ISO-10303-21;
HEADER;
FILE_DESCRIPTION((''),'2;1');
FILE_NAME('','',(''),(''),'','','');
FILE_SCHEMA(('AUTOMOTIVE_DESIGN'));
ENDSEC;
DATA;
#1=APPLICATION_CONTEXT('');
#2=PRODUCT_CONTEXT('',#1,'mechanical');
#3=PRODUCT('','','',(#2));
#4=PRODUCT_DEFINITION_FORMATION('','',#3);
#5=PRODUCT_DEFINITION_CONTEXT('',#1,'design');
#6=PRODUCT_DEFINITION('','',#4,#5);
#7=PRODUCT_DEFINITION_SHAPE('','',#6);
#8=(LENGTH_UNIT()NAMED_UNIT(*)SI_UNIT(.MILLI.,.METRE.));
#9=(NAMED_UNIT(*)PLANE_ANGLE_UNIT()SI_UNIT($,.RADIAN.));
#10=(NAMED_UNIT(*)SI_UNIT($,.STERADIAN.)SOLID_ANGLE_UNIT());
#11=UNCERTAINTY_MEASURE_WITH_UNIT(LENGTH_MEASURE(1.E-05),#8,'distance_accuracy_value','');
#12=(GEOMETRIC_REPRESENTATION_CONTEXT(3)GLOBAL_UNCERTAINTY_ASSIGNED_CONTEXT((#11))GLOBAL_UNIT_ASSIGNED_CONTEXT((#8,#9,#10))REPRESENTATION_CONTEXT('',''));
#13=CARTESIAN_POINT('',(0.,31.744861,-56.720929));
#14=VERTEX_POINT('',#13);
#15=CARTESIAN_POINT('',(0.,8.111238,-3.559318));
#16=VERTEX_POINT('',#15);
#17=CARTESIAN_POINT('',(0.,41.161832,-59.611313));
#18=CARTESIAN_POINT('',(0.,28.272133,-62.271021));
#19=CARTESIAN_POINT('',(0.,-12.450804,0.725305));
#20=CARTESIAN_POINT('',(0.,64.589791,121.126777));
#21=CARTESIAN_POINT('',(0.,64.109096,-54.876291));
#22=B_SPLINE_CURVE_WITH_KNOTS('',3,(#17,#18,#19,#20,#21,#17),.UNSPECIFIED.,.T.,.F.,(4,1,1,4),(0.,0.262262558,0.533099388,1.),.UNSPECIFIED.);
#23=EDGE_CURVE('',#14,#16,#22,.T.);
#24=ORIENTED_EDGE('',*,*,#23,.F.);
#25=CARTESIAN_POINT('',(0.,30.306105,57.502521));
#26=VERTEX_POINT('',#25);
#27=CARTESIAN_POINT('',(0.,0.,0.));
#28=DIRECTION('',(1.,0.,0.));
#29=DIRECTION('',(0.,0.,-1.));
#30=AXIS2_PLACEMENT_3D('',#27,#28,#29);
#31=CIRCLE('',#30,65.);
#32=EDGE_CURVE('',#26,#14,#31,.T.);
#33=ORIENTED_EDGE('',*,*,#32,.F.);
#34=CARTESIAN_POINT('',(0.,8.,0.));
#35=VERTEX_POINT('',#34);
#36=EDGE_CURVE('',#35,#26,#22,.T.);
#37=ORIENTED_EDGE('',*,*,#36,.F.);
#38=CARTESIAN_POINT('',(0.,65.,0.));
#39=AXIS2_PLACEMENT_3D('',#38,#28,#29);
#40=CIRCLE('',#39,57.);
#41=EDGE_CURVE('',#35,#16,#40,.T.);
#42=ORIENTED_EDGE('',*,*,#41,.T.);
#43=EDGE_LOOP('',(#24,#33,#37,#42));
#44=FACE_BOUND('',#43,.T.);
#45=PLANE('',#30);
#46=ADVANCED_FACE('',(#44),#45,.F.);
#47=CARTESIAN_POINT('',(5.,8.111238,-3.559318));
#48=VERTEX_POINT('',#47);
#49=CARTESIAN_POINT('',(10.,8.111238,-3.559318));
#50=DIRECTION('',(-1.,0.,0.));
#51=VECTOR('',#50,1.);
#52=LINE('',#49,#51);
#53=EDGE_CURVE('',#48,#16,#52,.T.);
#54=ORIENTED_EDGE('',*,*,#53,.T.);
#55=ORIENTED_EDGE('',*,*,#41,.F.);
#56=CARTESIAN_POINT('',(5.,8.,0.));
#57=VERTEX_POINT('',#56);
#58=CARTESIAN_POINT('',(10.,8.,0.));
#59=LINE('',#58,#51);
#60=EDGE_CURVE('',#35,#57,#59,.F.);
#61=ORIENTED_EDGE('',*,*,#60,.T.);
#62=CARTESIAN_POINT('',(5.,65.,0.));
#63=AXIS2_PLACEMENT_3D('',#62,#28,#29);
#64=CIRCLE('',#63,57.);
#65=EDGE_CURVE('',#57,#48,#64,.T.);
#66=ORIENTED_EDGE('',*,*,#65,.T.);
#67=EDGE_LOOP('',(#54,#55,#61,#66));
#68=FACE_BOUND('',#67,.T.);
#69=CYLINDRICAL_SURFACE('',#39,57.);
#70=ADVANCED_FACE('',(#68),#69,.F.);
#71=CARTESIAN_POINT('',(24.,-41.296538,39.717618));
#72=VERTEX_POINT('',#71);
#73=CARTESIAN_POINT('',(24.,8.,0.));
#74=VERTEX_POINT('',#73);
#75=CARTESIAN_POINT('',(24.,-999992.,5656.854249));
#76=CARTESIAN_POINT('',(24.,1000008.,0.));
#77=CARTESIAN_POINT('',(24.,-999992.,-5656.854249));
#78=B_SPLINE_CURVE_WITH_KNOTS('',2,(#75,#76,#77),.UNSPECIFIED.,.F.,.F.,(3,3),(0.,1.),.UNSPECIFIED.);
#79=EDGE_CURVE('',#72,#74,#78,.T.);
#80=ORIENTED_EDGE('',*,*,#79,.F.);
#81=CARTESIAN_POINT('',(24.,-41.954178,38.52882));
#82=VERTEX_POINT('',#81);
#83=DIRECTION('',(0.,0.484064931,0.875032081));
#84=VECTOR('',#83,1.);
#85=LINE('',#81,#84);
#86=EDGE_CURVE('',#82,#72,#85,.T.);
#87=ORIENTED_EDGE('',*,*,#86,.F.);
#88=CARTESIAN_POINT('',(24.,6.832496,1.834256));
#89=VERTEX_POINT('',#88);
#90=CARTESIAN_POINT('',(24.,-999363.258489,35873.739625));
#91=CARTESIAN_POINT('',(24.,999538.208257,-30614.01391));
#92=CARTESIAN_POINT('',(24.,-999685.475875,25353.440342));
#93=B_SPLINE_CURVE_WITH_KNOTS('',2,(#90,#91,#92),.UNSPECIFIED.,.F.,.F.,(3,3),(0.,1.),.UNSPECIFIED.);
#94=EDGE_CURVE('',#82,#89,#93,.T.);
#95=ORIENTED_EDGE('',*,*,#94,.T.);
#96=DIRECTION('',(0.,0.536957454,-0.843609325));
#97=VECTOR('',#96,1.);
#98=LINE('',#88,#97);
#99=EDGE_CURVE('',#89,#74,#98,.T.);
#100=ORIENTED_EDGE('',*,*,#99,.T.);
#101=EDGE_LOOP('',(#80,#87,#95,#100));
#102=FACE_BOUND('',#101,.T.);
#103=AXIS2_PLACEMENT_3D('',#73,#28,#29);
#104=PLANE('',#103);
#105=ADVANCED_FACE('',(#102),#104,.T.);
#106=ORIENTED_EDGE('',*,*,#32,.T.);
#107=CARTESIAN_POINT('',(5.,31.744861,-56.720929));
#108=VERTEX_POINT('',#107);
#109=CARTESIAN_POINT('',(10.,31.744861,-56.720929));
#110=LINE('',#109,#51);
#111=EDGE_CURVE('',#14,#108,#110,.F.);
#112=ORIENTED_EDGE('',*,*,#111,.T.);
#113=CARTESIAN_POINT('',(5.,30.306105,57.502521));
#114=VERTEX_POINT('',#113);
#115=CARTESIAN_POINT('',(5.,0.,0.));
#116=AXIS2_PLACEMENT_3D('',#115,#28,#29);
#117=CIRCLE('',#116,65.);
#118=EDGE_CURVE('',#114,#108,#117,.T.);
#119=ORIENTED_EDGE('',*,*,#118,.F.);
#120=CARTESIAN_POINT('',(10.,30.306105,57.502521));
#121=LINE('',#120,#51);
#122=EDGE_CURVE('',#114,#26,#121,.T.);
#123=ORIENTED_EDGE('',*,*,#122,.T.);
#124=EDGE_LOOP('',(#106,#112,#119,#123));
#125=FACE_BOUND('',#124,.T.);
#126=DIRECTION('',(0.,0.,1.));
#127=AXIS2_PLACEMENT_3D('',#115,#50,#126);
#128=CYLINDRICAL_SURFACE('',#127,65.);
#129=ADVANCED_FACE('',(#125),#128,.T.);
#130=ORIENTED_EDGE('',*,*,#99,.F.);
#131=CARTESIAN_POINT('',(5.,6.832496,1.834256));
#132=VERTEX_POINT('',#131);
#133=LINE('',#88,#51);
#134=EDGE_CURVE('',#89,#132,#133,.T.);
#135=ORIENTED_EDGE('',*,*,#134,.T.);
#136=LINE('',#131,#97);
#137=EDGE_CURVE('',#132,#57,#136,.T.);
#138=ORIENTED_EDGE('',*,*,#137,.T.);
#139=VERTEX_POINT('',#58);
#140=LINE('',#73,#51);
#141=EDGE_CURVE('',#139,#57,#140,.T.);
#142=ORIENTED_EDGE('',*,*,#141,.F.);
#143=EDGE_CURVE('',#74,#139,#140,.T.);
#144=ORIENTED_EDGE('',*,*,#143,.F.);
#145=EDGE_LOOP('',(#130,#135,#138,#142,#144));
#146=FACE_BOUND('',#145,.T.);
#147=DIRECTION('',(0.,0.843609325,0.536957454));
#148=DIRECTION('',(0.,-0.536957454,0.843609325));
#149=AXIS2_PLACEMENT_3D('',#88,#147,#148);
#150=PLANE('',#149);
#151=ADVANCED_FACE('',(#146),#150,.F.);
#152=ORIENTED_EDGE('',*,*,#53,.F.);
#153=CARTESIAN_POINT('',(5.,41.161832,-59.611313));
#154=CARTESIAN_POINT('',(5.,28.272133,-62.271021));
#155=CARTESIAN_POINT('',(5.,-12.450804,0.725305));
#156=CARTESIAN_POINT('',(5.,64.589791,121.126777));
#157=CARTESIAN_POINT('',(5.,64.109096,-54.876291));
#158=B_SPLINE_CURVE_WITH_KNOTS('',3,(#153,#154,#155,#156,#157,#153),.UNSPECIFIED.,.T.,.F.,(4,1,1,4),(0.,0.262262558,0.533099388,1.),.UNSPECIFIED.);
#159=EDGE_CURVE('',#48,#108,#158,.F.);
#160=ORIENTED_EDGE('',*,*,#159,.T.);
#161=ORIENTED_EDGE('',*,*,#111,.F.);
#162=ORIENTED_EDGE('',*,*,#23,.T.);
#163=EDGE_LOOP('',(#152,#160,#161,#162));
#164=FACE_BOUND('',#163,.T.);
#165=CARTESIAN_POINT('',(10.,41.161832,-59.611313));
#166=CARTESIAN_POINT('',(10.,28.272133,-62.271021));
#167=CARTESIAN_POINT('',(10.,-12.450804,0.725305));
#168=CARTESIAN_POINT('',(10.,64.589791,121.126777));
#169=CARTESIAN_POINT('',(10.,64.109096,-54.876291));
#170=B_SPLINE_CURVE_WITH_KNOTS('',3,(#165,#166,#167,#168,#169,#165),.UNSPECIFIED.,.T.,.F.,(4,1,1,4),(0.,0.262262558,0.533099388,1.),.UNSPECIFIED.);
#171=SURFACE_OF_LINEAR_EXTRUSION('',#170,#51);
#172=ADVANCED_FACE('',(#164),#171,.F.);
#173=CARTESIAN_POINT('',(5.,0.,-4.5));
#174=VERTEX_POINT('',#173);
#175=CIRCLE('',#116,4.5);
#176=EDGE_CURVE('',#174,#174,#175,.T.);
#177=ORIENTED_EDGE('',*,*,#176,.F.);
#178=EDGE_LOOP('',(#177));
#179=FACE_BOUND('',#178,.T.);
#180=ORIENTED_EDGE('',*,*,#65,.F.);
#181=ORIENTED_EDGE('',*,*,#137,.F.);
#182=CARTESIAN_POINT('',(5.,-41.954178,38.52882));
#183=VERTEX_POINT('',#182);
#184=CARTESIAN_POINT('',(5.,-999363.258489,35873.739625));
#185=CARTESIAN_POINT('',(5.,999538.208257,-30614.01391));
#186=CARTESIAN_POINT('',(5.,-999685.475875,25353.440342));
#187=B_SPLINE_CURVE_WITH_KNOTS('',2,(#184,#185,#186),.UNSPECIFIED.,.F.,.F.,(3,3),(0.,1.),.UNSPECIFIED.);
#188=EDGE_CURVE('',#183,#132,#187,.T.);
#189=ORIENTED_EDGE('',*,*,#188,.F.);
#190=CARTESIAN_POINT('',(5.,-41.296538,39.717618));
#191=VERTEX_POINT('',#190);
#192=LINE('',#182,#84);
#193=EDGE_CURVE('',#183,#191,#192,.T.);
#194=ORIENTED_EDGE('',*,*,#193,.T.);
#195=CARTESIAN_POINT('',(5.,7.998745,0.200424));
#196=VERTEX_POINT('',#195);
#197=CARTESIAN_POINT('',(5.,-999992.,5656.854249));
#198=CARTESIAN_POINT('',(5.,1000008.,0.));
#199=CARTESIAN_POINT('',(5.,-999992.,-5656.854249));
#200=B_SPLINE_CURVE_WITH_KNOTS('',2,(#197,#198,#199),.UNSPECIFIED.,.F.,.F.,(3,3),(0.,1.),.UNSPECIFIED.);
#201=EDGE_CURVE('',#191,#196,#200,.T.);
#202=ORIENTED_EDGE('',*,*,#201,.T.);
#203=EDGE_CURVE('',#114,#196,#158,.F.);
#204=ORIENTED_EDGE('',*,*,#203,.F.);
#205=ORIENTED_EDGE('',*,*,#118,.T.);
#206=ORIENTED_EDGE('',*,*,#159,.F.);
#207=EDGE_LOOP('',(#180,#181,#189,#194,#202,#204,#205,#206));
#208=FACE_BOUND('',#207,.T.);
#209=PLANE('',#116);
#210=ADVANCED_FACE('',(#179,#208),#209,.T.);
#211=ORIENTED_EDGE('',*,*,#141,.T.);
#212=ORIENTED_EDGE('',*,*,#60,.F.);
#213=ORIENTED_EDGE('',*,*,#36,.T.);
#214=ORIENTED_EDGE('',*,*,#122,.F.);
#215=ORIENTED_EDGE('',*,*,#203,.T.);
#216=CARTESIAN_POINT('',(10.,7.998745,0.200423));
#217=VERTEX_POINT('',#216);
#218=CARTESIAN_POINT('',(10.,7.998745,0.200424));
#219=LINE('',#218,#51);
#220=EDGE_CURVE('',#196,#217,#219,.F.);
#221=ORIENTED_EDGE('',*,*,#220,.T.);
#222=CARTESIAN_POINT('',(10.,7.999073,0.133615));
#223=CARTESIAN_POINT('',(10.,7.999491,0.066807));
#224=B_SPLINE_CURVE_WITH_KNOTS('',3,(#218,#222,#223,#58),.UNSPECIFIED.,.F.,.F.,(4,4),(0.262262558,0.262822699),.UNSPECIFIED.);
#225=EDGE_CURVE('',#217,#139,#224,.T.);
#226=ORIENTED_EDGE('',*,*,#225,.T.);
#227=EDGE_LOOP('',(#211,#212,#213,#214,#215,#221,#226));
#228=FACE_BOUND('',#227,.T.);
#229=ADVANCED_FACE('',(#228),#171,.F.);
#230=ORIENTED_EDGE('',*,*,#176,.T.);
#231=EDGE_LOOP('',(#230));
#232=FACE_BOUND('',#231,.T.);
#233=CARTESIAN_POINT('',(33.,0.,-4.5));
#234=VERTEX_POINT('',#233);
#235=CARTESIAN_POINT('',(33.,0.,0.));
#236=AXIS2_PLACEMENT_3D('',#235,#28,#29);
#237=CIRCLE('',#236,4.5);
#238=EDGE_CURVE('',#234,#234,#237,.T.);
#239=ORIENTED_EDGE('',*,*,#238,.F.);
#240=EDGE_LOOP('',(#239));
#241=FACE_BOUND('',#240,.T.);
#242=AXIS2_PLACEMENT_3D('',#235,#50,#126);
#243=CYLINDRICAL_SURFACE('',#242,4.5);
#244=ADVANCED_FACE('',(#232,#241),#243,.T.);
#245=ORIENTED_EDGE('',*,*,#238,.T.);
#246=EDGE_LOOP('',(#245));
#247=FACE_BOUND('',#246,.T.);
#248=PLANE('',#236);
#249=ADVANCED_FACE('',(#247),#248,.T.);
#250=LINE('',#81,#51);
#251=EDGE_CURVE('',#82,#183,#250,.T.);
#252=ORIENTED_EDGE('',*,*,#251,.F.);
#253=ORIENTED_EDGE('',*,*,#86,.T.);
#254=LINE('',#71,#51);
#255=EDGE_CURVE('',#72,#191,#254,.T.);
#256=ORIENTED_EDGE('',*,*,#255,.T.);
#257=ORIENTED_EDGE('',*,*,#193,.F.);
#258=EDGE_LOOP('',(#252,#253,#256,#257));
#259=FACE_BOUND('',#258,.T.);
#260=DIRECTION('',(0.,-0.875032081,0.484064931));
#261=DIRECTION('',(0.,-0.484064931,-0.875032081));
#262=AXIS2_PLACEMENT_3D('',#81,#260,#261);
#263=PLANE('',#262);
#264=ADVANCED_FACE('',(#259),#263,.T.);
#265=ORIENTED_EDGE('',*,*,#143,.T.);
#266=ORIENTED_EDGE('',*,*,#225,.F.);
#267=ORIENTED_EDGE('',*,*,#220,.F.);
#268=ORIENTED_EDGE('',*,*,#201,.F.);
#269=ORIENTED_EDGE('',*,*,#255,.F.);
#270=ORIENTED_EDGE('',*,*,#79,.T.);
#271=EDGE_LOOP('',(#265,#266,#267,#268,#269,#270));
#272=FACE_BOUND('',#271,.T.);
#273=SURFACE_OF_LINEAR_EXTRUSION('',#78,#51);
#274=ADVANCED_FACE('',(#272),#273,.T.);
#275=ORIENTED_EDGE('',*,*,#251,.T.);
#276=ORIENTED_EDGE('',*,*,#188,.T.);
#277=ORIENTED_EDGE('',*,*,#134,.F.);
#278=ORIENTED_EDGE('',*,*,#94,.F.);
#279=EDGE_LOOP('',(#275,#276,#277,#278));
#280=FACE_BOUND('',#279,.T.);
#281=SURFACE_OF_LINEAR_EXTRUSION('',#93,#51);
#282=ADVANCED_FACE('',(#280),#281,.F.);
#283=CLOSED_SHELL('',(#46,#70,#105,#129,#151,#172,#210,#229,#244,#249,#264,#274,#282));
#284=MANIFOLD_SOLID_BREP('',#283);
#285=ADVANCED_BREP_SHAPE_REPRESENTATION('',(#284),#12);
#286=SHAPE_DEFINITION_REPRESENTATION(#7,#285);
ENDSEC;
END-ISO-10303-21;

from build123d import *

# Parameters (mm, degrees)
SKETCH1_R           = 65
BOSS_EXTRUDE1_DEPTH = 5
SKETCH2_R           = 57
CUT_EXTRUDE1_DEPTH  = 5
SKETCH3_R           = 4.5
BOSS_EXTRUDE2_DEPTH = 28
BOSS_EXTRUDE3_DEPTH = 19
CUT_EXTRUDE2_DEPTH  = 10


with BuildPart() as part:
    # Sketch1 → Boss-Extrude1 (new body)
    with BuildSketch(Plane(origin=(0, 0, 0), x_dir=(0, 0, -1), z_dir=(1, 0, 0))):
        Circle(SKETCH1_R)
    extrude(amount=BOSS_EXTRUDE1_DEPTH)

    # Sketch2 → Cut-Extrude1 (cut)
    with BuildSketch(Plane(origin=(5, 0, 0), x_dir=(0, 0, -1), z_dir=(1, 0, 0))):
        with Locations((0, 65)):
            Circle(SKETCH2_R)
    extrude(amount=-CUT_EXTRUDE1_DEPTH, mode=Mode.SUBTRACT)

    # Sketch3 → Boss-Extrude2 (add)
    with BuildSketch(Plane(origin=(5, 0, 0), x_dir=(0, 0, -1), z_dir=(1, 0, 0))):
        Circle(SKETCH3_R)
    extrude(amount=BOSS_EXTRUDE2_DEPTH)

    # Sketch4 → Boss-Extrude3 (add)
    with BuildSketch(Plane(origin=(5, 0, 0), x_dir=(0, 0, -1), z_dir=(1, 0, 0))):
        with BuildLine():
            Line((-38.528819584, -41.954177593), (-39.717618419, -41.296537903))
            add(Edge.make_bspline(
                [(-39.717618419, -41.296537903), (-19.85880921, 8), (0, 8)],
                knots=[0, 0, 0, 1, 1, 1], degree=2))
            Line((0, 8), (-1.834255985, 6.832495808))
            add(Edge.make_bspline(
                [(-38.528819584, -41.954177593), (-19.49735867, 4.777398316), (-1.834255985, 6.832495808)],
                knots=[0, 0, 0, 1, 1, 1], degree=2))
        make_face()
    extrude(amount=BOSS_EXTRUDE3_DEPTH)

    # Sketch5 → Cut-Extrude2 (cut)
    with BuildSketch(Plane.ZY):
        with BuildLine():
            add(Edge.make_bspline(
                [(-59.611313459, 41.161832135), (-62.271021167, 28.272133344), (0.725304908, -12.45080433), (121.126777355, 64.589791019), (-54.876290799, 64.109096486), (-59.611313459, 41.161832135)],
                knots=[0, 0, 0, 0, 0.262262558, 0.533099388, 1, 1, 1, 1], degree=3))
        make_face()
    extrude(amount=-CUT_EXTRUDE2_DEPTH, mode=Mode.SUBTRACT)


solid = part.part
